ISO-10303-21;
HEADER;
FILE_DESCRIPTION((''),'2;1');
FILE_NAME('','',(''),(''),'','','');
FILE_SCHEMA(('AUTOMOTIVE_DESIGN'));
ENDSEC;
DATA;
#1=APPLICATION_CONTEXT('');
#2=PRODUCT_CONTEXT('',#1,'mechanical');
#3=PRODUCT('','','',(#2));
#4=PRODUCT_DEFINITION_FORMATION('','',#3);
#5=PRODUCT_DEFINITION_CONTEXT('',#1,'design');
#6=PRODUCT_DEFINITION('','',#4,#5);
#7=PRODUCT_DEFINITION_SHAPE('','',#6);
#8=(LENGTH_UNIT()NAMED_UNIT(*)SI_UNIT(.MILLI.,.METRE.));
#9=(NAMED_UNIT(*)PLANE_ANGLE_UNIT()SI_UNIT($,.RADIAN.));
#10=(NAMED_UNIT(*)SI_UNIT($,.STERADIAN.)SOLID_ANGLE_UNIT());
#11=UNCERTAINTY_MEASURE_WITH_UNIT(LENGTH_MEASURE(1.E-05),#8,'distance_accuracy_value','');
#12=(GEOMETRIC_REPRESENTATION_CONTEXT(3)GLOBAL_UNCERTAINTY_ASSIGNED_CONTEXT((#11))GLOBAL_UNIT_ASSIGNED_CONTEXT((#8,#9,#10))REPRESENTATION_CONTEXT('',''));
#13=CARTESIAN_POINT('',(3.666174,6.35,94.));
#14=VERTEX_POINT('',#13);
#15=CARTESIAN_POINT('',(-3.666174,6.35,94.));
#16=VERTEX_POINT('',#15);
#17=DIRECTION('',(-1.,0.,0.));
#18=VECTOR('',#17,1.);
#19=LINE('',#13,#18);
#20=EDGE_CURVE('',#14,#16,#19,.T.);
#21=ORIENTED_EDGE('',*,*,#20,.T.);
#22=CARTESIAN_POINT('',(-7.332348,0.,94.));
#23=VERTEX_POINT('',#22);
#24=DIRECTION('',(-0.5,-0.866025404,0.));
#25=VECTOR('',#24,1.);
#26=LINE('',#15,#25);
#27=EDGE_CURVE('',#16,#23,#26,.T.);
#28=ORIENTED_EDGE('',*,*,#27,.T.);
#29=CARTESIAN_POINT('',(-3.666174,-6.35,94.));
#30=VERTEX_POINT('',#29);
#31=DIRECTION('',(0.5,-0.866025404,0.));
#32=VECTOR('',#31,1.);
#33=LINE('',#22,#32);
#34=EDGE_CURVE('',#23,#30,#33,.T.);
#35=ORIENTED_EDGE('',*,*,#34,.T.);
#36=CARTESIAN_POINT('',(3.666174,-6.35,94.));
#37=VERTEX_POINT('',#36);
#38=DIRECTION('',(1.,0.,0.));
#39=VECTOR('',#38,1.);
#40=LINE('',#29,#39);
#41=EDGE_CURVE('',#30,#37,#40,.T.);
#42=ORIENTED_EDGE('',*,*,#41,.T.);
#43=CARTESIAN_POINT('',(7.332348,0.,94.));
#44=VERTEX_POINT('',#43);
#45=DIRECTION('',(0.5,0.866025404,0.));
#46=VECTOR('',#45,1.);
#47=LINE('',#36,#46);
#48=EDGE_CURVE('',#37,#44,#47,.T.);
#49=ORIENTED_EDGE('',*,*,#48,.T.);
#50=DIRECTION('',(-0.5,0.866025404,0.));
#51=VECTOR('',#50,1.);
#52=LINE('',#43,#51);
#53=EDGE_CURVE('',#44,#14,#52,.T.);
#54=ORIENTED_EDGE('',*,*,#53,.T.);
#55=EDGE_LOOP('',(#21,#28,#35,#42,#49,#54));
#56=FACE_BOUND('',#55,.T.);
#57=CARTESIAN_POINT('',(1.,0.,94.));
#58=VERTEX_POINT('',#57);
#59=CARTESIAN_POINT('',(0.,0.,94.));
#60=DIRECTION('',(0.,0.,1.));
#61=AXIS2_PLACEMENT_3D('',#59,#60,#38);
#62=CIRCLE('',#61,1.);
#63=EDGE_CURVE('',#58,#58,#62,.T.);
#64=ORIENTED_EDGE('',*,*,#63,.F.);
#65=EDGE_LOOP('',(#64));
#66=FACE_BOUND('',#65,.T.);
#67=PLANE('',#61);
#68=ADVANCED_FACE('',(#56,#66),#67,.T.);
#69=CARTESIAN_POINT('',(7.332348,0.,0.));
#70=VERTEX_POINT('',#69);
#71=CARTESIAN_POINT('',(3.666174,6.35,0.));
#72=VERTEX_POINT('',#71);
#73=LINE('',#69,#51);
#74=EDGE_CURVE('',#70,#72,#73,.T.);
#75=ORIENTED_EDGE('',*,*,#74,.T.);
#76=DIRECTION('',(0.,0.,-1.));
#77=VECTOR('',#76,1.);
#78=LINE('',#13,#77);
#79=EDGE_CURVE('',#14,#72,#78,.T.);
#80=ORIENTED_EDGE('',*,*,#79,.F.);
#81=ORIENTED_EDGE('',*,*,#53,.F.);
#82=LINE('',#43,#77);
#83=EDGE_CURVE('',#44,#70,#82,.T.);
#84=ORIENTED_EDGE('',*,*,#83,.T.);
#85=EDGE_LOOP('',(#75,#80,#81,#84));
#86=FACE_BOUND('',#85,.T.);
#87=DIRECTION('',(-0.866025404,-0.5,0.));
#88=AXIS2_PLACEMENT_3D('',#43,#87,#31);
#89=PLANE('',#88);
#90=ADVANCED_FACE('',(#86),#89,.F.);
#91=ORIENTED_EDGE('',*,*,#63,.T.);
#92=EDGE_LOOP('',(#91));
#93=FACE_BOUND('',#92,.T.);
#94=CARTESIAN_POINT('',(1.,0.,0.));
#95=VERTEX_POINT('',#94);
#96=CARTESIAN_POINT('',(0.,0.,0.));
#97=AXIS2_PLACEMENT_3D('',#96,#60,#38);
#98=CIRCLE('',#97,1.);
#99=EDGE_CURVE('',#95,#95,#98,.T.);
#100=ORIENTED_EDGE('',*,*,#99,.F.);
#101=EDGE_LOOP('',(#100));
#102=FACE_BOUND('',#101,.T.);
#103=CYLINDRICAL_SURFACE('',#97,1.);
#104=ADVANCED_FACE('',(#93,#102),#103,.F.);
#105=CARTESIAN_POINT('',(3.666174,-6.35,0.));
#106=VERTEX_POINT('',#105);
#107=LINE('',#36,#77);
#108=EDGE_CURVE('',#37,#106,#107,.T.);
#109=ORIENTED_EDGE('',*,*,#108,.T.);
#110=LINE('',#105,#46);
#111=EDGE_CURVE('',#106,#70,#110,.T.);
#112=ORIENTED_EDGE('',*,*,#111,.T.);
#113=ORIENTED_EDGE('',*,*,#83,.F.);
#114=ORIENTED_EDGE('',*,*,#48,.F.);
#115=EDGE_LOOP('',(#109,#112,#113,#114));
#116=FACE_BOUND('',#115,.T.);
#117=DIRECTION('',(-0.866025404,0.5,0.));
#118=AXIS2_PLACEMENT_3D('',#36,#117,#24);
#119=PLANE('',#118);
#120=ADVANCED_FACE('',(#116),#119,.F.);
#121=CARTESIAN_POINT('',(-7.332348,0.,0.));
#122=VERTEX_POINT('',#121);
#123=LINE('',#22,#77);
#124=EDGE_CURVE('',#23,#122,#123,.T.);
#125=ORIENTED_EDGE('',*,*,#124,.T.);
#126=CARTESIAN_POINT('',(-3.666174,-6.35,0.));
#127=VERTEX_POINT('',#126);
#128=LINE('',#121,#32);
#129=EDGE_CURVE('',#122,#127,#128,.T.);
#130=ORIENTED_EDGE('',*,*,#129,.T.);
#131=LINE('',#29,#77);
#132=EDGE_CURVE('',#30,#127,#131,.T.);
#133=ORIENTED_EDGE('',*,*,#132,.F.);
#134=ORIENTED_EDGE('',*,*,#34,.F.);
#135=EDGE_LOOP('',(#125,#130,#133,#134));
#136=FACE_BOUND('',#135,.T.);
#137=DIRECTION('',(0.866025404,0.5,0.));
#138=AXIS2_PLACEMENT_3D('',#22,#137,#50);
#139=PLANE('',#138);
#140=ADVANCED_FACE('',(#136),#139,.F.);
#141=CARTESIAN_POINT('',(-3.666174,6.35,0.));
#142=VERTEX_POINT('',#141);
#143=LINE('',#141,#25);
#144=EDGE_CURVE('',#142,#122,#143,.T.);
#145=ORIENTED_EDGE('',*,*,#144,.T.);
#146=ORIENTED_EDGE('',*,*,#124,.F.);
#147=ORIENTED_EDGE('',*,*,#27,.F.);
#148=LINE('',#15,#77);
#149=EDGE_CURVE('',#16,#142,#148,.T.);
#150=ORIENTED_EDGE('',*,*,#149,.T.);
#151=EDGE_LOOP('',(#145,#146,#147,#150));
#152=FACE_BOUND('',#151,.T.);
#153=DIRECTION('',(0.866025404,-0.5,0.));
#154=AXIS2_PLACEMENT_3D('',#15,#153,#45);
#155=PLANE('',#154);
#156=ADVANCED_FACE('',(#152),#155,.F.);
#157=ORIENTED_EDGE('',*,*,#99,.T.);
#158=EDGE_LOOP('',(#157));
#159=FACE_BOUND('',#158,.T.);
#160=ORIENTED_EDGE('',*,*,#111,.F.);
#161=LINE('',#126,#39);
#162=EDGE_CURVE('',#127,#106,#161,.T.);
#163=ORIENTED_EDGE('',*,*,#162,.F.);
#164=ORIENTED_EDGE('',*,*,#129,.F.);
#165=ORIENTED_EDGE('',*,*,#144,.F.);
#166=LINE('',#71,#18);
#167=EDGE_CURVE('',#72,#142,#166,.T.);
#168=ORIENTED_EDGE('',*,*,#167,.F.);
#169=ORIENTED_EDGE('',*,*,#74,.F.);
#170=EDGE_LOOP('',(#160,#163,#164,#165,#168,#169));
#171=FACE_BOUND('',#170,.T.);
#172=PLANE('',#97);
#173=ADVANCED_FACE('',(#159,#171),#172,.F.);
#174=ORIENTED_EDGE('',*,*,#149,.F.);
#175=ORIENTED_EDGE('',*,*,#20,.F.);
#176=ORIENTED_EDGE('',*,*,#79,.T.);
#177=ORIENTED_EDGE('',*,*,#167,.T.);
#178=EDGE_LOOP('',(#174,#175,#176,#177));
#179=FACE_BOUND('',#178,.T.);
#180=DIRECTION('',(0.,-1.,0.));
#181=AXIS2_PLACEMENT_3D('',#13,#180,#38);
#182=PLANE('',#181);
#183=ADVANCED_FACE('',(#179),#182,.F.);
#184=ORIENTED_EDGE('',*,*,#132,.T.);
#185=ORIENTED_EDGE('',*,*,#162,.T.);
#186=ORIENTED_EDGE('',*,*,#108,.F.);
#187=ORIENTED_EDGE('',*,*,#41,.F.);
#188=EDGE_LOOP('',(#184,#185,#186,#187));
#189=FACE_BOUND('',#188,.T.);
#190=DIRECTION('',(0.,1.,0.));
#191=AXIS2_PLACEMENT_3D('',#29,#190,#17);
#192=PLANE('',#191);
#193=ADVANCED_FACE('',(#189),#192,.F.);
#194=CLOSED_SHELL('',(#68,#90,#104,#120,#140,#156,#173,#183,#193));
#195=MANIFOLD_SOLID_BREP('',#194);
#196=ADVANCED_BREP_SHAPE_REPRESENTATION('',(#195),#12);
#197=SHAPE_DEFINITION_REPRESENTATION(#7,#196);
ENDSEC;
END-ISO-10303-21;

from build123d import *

# Parameters (mm, degrees)
BOSS_EXTRUDE1_DEPTH = 94
SKETCH2_R           = 1
CUT_EXTRUDE1_DEPTH  = 95


with BuildPart() as part:
    # Sketch1 → Boss-Extrude1 (new body)
    with BuildSketch(Plane.XY):
        Polygon((7.332348419, 0), (3.666174209, 6.35), (-3.666174209, 6.35), (-7.332348419, 0), (-3.666174209, -6.35), (3.666174209, -6.35), align=None)
    extrude(amount=BOSS_EXTRUDE1_DEPTH)

    # Sketch2 → Cut-Extrude1 (cut, through all)
    with BuildSketch(Plane.XY.offset(94)):
        Circle(SKETCH2_R)
    extrude(amount=-CUT_EXTRUDE1_DEPTH, mode=Mode.SUBTRACT)


solid = part.part
